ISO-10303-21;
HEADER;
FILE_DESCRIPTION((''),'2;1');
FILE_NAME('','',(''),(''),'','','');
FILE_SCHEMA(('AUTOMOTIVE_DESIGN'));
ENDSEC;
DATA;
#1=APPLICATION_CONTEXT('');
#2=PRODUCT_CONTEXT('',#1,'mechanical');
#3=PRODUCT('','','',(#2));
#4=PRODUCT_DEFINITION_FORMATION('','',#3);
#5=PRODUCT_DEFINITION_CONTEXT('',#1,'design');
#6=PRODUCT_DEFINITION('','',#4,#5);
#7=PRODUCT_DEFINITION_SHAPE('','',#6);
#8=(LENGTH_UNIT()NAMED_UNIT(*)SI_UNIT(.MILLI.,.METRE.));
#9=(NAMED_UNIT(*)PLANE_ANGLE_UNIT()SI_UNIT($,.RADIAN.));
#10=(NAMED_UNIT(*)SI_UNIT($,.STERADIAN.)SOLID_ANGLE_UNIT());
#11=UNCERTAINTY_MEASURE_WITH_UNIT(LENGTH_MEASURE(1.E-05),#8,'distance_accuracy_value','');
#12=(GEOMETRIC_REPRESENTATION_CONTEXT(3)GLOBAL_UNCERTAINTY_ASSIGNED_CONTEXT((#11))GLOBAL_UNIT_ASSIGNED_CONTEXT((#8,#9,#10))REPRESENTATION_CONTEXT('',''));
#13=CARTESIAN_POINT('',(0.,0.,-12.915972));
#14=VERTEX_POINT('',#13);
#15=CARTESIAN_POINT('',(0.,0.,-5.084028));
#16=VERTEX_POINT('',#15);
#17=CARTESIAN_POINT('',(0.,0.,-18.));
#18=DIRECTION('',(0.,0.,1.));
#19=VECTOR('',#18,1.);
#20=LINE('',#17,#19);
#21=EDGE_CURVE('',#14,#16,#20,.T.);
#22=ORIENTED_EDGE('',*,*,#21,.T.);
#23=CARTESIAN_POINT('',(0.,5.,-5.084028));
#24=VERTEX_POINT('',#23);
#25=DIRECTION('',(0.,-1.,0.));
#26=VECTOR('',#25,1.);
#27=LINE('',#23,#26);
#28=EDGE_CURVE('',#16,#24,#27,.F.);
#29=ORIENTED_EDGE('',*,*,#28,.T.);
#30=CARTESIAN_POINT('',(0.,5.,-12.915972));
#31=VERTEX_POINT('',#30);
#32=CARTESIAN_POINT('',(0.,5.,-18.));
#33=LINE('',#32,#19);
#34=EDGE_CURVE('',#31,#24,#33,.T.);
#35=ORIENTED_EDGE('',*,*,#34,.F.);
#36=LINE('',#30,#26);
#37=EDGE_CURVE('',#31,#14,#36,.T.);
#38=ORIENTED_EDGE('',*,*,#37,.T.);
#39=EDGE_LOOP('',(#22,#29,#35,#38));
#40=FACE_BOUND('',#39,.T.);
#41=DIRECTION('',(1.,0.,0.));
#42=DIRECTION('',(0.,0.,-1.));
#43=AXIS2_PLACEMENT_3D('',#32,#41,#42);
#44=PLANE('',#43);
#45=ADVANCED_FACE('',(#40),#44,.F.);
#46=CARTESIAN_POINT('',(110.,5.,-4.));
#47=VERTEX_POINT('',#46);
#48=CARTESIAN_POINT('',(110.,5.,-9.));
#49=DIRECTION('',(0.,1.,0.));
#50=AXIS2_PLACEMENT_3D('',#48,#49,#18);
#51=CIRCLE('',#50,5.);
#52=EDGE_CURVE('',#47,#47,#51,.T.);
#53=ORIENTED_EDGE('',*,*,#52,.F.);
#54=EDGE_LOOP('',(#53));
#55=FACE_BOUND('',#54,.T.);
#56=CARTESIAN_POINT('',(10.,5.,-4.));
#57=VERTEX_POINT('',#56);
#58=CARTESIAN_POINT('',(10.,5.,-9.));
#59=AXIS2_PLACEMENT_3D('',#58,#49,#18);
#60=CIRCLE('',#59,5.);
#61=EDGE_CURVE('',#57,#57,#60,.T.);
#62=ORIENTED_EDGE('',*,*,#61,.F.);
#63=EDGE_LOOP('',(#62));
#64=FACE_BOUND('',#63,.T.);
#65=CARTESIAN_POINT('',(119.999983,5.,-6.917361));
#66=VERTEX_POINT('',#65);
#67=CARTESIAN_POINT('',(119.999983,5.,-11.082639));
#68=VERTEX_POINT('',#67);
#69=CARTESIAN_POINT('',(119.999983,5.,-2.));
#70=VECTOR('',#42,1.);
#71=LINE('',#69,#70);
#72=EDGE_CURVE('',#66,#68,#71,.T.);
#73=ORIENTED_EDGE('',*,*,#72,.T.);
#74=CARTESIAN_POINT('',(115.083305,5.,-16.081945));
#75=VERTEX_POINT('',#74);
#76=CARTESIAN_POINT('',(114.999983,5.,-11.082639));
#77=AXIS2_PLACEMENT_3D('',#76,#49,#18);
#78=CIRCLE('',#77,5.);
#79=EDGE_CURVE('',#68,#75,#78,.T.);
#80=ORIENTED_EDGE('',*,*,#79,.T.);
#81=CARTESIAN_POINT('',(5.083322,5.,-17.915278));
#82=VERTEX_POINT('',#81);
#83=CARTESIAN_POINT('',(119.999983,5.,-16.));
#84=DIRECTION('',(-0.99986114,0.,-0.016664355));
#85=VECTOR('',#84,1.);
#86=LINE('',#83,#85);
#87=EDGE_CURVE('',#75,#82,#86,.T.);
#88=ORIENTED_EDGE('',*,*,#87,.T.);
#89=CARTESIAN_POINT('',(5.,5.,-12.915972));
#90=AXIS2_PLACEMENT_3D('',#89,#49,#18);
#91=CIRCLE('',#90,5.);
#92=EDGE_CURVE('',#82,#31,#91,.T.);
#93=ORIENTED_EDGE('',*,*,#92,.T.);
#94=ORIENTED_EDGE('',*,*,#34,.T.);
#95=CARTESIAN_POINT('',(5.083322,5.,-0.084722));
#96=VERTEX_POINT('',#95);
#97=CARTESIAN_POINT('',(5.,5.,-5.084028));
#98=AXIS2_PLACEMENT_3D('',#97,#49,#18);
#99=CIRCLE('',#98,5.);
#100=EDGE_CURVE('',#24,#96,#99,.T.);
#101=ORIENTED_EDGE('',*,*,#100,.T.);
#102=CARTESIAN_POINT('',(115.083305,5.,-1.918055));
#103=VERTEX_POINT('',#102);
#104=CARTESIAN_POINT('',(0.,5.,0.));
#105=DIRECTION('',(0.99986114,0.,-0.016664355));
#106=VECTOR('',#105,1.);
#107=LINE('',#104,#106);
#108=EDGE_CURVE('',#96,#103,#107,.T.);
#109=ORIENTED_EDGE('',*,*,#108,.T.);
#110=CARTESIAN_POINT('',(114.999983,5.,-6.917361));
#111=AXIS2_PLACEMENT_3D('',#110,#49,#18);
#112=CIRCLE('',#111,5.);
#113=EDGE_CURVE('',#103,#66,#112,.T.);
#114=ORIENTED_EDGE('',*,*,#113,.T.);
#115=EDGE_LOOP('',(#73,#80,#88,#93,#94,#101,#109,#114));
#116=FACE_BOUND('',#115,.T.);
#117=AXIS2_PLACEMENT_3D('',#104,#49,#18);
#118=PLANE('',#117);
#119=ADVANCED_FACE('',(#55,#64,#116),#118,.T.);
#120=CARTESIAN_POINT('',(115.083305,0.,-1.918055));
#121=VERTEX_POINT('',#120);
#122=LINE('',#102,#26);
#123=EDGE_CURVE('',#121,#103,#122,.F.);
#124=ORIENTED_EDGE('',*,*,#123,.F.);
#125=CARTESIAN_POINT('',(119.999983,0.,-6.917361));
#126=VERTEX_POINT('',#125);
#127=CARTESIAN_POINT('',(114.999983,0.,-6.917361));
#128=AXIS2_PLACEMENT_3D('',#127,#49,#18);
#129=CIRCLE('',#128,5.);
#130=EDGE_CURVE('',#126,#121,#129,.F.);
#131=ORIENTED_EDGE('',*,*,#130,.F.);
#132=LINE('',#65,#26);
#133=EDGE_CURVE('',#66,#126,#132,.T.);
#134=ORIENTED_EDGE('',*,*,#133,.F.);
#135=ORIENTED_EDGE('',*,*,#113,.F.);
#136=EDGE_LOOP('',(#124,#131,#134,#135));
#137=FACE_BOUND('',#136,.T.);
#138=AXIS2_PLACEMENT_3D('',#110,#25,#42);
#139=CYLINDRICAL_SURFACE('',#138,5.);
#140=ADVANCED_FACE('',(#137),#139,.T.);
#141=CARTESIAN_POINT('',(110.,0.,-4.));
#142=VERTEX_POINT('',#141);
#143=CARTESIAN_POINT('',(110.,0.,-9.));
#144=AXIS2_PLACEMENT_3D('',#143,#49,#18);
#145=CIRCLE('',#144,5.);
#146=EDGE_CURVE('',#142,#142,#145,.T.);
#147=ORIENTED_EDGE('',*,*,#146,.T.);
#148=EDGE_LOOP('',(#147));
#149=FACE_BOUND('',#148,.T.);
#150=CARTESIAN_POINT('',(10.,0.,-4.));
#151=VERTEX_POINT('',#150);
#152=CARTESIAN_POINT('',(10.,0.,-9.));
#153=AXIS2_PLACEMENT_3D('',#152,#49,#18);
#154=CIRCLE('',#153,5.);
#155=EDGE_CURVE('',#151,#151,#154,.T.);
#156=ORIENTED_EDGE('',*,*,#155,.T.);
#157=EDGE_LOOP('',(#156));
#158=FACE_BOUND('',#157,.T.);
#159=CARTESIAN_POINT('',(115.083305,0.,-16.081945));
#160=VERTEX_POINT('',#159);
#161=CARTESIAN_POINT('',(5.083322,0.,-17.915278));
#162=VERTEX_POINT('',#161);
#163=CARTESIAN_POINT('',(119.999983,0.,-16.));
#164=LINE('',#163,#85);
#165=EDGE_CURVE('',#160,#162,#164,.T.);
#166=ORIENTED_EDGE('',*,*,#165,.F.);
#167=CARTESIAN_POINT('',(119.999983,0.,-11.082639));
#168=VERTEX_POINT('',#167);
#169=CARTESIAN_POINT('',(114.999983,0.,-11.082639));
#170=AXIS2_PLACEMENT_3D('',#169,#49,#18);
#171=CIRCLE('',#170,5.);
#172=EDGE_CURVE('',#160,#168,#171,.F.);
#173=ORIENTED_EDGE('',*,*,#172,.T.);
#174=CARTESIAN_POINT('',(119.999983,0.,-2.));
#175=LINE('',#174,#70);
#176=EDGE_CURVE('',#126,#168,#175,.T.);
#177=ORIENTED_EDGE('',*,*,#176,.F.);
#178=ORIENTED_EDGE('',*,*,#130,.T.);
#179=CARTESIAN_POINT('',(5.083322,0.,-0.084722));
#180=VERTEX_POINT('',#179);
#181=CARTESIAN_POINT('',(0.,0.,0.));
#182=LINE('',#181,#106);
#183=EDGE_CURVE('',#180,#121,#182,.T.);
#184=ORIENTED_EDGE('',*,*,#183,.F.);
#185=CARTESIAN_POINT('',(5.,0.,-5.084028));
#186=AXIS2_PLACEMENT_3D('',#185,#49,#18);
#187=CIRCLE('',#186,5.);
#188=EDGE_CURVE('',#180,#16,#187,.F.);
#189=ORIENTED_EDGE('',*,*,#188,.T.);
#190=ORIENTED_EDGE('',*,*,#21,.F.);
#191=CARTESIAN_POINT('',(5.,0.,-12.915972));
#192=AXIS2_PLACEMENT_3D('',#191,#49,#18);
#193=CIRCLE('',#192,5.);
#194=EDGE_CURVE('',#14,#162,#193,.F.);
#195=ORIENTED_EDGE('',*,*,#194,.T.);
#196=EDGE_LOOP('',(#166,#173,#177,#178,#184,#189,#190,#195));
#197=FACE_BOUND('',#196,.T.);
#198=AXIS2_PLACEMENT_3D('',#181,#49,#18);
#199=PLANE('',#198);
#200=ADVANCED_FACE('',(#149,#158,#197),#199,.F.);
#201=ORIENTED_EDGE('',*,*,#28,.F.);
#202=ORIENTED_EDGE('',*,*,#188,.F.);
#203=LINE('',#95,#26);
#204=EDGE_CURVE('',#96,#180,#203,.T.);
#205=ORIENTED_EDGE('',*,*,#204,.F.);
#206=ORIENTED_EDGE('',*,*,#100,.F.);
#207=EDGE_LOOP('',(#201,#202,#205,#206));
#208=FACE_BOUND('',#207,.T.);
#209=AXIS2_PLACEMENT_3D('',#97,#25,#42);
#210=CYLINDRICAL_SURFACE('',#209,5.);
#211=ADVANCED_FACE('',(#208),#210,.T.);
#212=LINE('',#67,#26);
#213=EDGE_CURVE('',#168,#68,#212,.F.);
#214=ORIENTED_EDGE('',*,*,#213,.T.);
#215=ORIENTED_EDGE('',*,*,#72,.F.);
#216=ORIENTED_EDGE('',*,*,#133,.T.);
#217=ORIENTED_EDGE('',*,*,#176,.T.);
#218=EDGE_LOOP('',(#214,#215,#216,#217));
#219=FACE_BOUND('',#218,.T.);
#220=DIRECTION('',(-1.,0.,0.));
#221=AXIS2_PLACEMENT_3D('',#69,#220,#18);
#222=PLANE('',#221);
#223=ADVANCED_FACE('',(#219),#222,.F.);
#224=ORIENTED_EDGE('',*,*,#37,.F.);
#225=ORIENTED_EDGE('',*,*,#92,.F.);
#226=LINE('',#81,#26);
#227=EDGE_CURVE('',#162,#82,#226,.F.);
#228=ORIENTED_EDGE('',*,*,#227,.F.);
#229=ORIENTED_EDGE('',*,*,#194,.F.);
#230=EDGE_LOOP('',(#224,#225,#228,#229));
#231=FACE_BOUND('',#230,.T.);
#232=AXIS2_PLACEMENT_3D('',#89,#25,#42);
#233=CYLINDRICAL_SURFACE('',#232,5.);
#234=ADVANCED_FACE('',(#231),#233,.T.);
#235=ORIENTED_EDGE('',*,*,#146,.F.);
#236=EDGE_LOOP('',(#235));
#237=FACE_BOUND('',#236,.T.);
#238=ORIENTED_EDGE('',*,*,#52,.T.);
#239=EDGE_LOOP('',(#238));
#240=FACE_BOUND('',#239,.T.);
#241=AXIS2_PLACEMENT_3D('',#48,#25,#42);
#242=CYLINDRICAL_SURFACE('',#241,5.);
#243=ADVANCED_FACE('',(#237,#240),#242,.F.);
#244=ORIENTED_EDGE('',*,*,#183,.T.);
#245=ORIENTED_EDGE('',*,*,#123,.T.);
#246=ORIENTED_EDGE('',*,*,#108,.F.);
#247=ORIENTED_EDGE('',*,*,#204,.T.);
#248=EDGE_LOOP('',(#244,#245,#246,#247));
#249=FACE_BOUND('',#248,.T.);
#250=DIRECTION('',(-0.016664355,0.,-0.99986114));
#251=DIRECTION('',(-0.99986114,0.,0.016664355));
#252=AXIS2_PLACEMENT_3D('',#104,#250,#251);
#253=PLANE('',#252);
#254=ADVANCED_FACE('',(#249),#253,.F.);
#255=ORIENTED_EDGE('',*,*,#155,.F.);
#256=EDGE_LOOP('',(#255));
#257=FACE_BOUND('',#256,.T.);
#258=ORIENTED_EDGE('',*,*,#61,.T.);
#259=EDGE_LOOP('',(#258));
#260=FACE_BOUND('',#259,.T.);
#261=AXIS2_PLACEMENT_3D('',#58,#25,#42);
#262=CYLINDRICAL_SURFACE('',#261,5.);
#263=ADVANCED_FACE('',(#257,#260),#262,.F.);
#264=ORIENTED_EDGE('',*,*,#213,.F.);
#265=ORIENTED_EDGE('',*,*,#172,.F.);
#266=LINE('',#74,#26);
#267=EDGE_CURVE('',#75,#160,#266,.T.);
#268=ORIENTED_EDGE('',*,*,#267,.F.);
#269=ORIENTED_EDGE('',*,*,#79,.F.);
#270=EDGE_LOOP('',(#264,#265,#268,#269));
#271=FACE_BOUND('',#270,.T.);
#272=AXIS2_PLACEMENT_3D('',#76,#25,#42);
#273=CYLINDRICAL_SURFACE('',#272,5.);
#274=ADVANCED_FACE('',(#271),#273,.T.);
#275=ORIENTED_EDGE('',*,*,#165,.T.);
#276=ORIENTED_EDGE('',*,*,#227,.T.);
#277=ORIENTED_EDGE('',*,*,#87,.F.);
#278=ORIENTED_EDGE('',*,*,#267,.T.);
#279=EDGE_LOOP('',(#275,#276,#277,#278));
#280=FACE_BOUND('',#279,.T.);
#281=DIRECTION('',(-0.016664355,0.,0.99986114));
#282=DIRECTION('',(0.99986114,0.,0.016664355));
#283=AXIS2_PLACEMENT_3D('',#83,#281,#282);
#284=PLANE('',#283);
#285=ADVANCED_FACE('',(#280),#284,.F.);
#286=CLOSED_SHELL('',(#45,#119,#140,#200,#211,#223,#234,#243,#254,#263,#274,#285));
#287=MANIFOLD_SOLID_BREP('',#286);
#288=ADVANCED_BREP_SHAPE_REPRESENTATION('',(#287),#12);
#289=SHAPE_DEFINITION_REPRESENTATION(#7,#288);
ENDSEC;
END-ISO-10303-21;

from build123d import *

# Parameters (mm, degrees)
CROQUIS1_R              = 5
SALIENTE_EXTRUIR1_DEPTH = 5
REDONDEO1_R             = 5


with BuildPart() as part:
    # Croquis1 → Saliente-Extruir1 (new body)
    with BuildSketch(Plane(origin=(0, 0, 0), x_dir=(1, 0, 0), z_dir=(0, 1, 0))):
        Polygon((0, 0), (119.999982993, 2), (119.999982993, 16), (0, 18), align=None)
        with Locations(Location((10, 9, 0), (0, 0, 270))):
            Circle(CROQUIS1_R, mode=Mode.SUBTRACT)
        with Locations(Location((110, 9, 0), (0, 0, 270))):
            Circle(CROQUIS1_R, mode=Mode.SUBTRACT)
    extrude(amount=SALIENTE_EXTRUIR1_DEPTH)

    # Redondeo1
    redondeo1_edges = [part.edges().sort_by_distance(p)[0] for p in [
        (0, 2.5, -18),
        (119.999982993, 2.5, -16),
        (119.999982993, 2.5, -2),
        (0, 2.5, 0),
    ]]
    fillet(redondeo1_edges, radius=REDONDEO1_R)


solid = part.part
